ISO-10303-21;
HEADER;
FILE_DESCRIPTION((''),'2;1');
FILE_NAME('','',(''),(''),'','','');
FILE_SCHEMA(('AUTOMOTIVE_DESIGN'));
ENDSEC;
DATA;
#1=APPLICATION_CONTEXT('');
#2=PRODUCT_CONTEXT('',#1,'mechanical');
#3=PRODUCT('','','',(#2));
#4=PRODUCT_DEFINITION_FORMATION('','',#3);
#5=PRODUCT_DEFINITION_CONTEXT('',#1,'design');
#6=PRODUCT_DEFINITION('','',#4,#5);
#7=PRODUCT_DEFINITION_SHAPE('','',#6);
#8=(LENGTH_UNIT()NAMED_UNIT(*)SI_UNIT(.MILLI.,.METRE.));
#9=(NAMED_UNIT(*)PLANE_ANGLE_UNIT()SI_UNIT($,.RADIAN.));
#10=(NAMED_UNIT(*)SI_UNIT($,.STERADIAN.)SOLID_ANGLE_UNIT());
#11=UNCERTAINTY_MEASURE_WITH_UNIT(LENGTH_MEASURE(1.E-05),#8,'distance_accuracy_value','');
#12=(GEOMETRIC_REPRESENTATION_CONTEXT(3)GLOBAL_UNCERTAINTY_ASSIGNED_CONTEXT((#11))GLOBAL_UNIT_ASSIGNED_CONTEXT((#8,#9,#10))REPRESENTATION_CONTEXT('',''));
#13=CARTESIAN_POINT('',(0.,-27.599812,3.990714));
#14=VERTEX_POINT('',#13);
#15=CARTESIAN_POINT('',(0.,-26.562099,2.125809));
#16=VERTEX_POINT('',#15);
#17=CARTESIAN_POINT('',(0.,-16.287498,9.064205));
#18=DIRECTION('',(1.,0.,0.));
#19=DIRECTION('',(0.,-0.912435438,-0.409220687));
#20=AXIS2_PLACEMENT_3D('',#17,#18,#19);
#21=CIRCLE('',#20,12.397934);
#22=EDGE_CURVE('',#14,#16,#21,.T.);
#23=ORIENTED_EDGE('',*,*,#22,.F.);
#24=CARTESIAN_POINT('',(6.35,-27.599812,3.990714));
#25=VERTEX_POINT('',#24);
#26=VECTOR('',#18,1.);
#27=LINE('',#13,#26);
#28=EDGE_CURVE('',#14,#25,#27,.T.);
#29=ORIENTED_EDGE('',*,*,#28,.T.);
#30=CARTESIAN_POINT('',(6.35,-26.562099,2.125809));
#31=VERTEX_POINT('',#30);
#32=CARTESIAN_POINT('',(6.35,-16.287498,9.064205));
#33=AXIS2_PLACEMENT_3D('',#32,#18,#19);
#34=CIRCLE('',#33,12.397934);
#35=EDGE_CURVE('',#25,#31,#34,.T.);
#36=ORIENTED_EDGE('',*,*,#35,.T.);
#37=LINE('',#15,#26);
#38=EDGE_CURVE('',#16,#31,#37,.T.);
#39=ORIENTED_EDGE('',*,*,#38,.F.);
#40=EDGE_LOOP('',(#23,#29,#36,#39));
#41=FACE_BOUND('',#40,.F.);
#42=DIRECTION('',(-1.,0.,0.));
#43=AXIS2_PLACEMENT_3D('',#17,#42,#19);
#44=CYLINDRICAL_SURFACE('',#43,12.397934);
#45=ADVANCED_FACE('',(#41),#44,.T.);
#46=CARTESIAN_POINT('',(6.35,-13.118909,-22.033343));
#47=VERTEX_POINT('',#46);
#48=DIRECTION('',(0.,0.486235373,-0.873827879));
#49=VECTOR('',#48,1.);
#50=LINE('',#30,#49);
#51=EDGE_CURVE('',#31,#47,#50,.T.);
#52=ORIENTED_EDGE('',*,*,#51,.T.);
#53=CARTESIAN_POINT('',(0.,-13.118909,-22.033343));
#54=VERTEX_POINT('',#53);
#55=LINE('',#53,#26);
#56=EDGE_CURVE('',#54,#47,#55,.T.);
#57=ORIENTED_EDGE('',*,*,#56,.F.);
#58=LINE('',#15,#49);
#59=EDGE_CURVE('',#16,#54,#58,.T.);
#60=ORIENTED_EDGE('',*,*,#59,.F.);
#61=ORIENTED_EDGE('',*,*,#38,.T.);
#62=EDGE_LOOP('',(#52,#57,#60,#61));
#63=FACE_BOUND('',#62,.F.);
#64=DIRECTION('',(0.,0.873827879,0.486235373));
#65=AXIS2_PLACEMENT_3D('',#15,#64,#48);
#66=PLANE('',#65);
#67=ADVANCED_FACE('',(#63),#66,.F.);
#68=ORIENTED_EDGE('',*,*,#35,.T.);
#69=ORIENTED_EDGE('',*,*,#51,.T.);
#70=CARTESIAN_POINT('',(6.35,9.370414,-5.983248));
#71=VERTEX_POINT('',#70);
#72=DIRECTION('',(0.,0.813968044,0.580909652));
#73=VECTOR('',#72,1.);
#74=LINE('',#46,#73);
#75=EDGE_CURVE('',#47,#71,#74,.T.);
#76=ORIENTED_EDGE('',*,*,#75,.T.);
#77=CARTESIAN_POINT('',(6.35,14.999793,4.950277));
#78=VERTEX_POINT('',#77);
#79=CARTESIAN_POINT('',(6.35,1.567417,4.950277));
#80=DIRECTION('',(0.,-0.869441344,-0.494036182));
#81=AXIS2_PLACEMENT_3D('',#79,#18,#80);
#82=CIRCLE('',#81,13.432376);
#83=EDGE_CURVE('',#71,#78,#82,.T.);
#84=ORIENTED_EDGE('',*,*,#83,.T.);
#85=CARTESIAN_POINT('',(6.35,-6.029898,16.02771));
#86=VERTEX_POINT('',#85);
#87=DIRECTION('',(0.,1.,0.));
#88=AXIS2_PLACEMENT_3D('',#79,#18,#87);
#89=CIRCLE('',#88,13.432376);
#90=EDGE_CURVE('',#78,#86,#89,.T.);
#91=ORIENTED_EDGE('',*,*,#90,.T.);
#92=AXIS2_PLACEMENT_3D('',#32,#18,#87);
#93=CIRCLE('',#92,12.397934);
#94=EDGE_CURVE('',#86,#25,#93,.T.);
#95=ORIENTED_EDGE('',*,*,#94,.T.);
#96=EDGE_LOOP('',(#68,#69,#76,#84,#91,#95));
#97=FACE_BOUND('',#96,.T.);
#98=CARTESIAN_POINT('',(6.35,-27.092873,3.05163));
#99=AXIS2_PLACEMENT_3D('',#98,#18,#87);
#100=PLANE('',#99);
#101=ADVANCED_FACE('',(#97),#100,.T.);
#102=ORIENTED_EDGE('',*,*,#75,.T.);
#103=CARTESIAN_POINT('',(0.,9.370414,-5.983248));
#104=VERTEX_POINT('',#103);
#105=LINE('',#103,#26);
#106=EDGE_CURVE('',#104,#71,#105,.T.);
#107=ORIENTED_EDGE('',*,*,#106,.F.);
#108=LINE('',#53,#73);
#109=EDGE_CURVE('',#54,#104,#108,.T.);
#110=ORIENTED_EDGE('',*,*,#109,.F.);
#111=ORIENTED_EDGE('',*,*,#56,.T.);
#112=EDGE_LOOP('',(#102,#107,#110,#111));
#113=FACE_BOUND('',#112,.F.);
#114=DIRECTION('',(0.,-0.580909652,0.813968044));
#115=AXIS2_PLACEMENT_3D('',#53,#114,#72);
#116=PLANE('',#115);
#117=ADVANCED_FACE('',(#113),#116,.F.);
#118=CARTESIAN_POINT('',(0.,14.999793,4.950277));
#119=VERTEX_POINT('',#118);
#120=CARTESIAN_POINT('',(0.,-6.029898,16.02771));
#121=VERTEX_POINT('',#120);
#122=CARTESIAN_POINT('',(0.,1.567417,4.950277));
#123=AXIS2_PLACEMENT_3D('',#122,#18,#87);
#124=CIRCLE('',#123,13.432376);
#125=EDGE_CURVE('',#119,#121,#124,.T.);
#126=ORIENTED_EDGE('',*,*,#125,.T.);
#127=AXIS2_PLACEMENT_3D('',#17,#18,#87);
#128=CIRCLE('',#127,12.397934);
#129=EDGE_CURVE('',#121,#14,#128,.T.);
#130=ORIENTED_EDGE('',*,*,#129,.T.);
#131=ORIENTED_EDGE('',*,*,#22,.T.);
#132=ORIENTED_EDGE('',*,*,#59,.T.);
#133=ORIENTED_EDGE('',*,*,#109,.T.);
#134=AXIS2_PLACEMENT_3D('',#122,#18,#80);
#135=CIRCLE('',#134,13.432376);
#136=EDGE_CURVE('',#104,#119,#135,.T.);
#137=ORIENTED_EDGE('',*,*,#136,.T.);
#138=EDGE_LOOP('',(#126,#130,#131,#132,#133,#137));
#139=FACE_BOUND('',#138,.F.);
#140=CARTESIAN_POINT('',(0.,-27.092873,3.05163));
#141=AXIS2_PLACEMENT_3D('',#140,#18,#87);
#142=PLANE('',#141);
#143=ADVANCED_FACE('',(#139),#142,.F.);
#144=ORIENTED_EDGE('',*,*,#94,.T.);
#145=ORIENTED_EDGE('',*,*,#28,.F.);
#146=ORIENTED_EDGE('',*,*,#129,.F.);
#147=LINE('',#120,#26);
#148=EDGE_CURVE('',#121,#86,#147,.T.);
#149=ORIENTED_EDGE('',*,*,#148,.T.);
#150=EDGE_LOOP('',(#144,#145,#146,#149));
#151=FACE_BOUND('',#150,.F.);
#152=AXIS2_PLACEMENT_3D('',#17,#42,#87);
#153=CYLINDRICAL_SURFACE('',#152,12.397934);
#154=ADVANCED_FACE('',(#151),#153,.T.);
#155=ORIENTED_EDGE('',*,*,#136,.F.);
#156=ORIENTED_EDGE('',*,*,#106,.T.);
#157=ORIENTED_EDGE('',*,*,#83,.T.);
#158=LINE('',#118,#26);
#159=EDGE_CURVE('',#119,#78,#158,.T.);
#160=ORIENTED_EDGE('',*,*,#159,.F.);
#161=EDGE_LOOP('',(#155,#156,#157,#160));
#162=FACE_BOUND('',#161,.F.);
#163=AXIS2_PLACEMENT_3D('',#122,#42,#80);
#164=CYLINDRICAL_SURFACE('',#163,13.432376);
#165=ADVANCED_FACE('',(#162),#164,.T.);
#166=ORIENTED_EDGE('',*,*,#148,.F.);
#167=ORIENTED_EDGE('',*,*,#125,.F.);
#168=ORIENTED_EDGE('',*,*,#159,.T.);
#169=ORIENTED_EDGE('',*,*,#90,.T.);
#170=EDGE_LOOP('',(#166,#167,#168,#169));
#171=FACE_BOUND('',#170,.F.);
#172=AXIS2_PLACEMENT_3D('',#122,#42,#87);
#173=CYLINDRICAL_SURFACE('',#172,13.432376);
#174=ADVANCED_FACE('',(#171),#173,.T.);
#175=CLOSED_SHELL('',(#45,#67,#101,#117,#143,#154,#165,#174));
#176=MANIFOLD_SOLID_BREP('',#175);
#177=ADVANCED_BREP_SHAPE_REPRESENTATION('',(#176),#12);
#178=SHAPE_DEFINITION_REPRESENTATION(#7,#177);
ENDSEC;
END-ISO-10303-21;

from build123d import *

# Parameters (mm, degrees)
F1_DEPTH = 25.4
F2_SCALE = 0.25


with BuildPart() as f1:
    # F0 (on Right) → F1 (new body)
    with BuildSketch(Plane.YZ):
        with BuildLine():
            ThreePointArc((-110.3992487095, 15.9628562986), (-108.4846328784, 12.1435644545), (-106.2483957789, 8.5032365015))
            Line((-106.2483957789, 8.5032365015), (-110.3992487095, 15.9628562986))
        make_face()
        with BuildLine():
            ThreePointArc((-24.1195932903, 64.1108403944), (-46.0880198127, 31.8647754474), (-40.4449835973, -6.7432109118))
            ThreePointArc((-40.4449835973, -6.7432109118), (-22.2285273136, 11.4155651853), (-15.5582582091, 36.2568199635))
            ThreePointArc((-15.5582582091, 36.2568199635), (-17.7468872986, 50.8268483826), (-24.1195932903, 64.1108403944))
        make_face()
        with BuildLine():
            Line((-52.4756349623, -88.1333723664), (37.4816562158, -23.9329912189))
            ThreePointArc((37.4816562158, -23.9329912189), (-5.3042368908, -32.6670185732), (-40.4449835973, -6.7432109118))
            ThreePointArc((-40.4449835973, -6.7432109118), (-76.3437133157, -12.0550910847), (-106.2483957789, 8.5032365015))
            Line((-106.2483957789, 8.5032365015), (-52.4756349623, -88.1333723664))
        make_face()
        with BuildLine():
            ThreePointArc((-106.2483957789, 8.5032365015), (-76.3437133157, -12.0550910847), (-40.4449835973, -6.7432109118))
            ThreePointArc((-40.4449835973, -6.7432109118), (-46.0880198127, 31.8647754474), (-24.1195932903, 64.1108403944))
            ThreePointArc((-24.1195932903, 64.1108403944), (-89.3162249481, 79.5619391689), (-110.3992487095, 15.9628562986))
            Line((-110.3992487095, 15.9628562986), (-106.2483957789, 8.5032365015))
        make_face()
        with BuildLine():
            ThreePointArc((-40.4449835973, -6.7432109118), (-5.3042368908, -32.6670185732), (37.4816562158, -23.9329912189))
            ThreePointArc((37.4816562158, -23.9329912189), (54.0392417852, -4.7941657865), (59.9991728249, 19.8011081666))
            ThreePointArc((59.9991728249, 19.8011081666), (31.3102321542, 67.3387752918), (-24.1195932903, 64.1108403944))
            ThreePointArc((-24.1195932903, 64.1108403944), (-17.7468872986, 50.8268483826), (-15.5582582091, 36.2568199635))
            ThreePointArc((-15.5582582091, 36.2568199635), (-22.2285273136, 11.4155651853), (-40.4449835973, -6.7432109118))
        make_face()
    extrude(amount=F1_DEPTH)


with BuildPart() as f1_1:
    # F2: moved
    add(f1.part.scale(F2_SCALE))


solid = f1_1.part
